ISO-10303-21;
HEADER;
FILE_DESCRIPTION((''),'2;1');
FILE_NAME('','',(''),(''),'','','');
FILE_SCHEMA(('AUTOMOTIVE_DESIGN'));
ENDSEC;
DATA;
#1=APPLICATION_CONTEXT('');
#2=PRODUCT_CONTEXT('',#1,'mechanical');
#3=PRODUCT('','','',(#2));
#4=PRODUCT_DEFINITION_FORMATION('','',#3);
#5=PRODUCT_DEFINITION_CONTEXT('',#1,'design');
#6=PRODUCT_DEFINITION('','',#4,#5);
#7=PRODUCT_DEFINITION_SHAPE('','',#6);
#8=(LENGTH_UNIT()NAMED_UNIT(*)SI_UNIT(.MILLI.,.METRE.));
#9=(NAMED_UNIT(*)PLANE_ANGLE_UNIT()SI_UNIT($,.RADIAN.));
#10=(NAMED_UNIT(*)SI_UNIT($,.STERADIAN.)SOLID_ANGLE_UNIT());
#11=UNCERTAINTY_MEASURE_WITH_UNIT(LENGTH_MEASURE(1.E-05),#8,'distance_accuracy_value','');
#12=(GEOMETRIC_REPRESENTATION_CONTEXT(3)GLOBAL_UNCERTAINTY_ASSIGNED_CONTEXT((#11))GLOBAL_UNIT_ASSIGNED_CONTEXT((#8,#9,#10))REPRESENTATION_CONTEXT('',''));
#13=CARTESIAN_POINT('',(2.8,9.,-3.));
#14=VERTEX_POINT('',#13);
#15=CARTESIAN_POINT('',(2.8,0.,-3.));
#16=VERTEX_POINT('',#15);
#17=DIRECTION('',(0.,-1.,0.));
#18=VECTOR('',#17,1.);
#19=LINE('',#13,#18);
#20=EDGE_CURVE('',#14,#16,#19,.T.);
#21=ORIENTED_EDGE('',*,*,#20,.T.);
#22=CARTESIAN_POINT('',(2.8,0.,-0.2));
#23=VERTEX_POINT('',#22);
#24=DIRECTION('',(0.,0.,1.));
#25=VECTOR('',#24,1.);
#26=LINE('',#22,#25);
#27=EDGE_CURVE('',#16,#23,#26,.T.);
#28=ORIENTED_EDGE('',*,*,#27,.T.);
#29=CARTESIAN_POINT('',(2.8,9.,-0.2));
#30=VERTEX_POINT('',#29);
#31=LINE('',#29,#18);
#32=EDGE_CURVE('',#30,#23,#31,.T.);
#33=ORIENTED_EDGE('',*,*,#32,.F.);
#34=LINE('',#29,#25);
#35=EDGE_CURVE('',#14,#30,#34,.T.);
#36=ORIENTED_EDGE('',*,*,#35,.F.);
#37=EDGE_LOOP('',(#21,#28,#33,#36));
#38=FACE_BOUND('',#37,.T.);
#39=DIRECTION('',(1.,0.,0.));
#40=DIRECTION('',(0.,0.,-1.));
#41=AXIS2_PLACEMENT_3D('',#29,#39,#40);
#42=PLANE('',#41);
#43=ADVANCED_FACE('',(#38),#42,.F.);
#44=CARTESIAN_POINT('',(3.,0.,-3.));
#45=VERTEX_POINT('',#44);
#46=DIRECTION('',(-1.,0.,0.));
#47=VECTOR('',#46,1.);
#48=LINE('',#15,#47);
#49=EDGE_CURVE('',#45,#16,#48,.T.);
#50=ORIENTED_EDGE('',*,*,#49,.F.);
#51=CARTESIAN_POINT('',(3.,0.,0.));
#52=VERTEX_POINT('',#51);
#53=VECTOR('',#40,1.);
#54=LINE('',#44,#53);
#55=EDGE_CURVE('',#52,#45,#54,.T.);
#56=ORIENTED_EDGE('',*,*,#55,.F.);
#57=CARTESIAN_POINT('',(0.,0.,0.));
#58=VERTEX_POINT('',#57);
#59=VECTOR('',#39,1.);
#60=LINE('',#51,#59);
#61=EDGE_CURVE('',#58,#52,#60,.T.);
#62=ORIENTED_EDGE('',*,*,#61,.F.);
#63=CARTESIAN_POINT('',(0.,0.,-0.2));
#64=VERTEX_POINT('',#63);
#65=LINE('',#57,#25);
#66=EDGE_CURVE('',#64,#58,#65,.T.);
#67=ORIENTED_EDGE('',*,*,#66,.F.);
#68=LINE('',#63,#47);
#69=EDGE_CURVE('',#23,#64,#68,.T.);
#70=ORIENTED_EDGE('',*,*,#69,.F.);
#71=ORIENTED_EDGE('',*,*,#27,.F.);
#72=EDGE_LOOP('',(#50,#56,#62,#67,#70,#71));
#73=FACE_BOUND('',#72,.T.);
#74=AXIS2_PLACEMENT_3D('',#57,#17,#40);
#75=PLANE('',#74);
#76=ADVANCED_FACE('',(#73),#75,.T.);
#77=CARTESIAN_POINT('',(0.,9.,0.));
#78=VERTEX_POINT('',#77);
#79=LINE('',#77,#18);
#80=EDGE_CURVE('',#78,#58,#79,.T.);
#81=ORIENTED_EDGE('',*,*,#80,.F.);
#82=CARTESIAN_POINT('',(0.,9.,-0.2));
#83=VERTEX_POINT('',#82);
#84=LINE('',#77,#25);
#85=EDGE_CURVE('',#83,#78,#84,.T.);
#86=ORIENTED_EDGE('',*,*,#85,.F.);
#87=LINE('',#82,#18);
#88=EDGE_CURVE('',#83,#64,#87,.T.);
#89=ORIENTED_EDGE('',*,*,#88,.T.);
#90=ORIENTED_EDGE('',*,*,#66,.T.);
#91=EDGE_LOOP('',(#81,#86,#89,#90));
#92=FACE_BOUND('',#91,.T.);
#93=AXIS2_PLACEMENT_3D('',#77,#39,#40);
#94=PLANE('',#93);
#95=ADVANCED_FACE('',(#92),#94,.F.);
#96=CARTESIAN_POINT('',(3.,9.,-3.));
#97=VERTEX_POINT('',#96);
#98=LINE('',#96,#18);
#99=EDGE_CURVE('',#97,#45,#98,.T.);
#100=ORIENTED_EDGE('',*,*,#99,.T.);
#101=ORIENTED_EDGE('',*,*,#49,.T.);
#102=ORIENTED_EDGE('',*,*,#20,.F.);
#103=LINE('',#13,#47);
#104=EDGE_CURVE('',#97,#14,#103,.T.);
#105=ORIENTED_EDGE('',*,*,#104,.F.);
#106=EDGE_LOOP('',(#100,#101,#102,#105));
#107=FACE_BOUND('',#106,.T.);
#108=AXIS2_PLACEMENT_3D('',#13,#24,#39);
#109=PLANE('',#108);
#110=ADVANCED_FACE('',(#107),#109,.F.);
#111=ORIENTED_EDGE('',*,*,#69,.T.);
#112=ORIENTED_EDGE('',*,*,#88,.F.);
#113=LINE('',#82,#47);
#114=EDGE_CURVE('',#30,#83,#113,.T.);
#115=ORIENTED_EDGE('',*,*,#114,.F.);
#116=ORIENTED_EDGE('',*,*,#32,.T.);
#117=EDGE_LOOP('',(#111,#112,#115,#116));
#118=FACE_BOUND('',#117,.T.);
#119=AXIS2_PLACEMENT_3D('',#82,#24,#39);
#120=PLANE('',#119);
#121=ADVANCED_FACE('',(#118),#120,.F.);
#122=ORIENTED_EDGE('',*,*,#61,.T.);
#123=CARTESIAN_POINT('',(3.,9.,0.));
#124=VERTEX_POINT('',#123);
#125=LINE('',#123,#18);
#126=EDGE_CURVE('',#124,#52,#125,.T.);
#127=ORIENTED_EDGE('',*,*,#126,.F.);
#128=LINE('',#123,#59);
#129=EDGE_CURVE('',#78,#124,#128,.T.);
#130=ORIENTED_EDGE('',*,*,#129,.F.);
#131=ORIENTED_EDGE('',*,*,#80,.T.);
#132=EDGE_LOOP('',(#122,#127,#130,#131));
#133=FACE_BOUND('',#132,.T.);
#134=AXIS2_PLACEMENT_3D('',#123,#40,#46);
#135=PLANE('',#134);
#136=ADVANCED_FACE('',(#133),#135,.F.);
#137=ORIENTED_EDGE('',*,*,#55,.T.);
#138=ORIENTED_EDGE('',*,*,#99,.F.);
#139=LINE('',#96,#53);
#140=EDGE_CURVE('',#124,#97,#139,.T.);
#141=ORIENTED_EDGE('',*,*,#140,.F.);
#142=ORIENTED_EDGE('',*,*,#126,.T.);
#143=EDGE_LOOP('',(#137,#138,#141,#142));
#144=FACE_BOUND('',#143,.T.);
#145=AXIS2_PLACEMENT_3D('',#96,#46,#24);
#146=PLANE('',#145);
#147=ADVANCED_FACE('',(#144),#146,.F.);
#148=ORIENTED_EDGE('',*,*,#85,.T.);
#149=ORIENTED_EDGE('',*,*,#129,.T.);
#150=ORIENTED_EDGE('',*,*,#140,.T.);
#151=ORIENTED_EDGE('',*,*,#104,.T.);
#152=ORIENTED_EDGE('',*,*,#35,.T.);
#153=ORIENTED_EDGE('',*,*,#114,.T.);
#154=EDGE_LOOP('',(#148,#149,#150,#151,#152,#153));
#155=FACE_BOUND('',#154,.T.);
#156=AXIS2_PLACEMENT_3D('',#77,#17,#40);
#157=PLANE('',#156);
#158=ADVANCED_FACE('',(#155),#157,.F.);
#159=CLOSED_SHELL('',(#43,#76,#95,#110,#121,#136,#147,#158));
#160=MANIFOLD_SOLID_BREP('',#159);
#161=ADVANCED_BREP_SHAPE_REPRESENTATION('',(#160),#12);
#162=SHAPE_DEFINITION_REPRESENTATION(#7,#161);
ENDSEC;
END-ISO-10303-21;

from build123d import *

# Parameters (mm, degrees)
BOSS_EXTRUDE1_DEPTH = 9


with BuildPart() as part:
    # Sketch1 → Boss-Extrude1 (new body)
    with BuildSketch(Plane(origin=(0, 0, 0), x_dir=(1, 0, 0), z_dir=(0, 1, 0))):
        Polygon((0, 0), (0, 0.2), (2.8, 0.2), (2.8, 3), (3, 3), (3, 0), align=None)
    extrude(amount=BOSS_EXTRUDE1_DEPTH)


solid = part.part
